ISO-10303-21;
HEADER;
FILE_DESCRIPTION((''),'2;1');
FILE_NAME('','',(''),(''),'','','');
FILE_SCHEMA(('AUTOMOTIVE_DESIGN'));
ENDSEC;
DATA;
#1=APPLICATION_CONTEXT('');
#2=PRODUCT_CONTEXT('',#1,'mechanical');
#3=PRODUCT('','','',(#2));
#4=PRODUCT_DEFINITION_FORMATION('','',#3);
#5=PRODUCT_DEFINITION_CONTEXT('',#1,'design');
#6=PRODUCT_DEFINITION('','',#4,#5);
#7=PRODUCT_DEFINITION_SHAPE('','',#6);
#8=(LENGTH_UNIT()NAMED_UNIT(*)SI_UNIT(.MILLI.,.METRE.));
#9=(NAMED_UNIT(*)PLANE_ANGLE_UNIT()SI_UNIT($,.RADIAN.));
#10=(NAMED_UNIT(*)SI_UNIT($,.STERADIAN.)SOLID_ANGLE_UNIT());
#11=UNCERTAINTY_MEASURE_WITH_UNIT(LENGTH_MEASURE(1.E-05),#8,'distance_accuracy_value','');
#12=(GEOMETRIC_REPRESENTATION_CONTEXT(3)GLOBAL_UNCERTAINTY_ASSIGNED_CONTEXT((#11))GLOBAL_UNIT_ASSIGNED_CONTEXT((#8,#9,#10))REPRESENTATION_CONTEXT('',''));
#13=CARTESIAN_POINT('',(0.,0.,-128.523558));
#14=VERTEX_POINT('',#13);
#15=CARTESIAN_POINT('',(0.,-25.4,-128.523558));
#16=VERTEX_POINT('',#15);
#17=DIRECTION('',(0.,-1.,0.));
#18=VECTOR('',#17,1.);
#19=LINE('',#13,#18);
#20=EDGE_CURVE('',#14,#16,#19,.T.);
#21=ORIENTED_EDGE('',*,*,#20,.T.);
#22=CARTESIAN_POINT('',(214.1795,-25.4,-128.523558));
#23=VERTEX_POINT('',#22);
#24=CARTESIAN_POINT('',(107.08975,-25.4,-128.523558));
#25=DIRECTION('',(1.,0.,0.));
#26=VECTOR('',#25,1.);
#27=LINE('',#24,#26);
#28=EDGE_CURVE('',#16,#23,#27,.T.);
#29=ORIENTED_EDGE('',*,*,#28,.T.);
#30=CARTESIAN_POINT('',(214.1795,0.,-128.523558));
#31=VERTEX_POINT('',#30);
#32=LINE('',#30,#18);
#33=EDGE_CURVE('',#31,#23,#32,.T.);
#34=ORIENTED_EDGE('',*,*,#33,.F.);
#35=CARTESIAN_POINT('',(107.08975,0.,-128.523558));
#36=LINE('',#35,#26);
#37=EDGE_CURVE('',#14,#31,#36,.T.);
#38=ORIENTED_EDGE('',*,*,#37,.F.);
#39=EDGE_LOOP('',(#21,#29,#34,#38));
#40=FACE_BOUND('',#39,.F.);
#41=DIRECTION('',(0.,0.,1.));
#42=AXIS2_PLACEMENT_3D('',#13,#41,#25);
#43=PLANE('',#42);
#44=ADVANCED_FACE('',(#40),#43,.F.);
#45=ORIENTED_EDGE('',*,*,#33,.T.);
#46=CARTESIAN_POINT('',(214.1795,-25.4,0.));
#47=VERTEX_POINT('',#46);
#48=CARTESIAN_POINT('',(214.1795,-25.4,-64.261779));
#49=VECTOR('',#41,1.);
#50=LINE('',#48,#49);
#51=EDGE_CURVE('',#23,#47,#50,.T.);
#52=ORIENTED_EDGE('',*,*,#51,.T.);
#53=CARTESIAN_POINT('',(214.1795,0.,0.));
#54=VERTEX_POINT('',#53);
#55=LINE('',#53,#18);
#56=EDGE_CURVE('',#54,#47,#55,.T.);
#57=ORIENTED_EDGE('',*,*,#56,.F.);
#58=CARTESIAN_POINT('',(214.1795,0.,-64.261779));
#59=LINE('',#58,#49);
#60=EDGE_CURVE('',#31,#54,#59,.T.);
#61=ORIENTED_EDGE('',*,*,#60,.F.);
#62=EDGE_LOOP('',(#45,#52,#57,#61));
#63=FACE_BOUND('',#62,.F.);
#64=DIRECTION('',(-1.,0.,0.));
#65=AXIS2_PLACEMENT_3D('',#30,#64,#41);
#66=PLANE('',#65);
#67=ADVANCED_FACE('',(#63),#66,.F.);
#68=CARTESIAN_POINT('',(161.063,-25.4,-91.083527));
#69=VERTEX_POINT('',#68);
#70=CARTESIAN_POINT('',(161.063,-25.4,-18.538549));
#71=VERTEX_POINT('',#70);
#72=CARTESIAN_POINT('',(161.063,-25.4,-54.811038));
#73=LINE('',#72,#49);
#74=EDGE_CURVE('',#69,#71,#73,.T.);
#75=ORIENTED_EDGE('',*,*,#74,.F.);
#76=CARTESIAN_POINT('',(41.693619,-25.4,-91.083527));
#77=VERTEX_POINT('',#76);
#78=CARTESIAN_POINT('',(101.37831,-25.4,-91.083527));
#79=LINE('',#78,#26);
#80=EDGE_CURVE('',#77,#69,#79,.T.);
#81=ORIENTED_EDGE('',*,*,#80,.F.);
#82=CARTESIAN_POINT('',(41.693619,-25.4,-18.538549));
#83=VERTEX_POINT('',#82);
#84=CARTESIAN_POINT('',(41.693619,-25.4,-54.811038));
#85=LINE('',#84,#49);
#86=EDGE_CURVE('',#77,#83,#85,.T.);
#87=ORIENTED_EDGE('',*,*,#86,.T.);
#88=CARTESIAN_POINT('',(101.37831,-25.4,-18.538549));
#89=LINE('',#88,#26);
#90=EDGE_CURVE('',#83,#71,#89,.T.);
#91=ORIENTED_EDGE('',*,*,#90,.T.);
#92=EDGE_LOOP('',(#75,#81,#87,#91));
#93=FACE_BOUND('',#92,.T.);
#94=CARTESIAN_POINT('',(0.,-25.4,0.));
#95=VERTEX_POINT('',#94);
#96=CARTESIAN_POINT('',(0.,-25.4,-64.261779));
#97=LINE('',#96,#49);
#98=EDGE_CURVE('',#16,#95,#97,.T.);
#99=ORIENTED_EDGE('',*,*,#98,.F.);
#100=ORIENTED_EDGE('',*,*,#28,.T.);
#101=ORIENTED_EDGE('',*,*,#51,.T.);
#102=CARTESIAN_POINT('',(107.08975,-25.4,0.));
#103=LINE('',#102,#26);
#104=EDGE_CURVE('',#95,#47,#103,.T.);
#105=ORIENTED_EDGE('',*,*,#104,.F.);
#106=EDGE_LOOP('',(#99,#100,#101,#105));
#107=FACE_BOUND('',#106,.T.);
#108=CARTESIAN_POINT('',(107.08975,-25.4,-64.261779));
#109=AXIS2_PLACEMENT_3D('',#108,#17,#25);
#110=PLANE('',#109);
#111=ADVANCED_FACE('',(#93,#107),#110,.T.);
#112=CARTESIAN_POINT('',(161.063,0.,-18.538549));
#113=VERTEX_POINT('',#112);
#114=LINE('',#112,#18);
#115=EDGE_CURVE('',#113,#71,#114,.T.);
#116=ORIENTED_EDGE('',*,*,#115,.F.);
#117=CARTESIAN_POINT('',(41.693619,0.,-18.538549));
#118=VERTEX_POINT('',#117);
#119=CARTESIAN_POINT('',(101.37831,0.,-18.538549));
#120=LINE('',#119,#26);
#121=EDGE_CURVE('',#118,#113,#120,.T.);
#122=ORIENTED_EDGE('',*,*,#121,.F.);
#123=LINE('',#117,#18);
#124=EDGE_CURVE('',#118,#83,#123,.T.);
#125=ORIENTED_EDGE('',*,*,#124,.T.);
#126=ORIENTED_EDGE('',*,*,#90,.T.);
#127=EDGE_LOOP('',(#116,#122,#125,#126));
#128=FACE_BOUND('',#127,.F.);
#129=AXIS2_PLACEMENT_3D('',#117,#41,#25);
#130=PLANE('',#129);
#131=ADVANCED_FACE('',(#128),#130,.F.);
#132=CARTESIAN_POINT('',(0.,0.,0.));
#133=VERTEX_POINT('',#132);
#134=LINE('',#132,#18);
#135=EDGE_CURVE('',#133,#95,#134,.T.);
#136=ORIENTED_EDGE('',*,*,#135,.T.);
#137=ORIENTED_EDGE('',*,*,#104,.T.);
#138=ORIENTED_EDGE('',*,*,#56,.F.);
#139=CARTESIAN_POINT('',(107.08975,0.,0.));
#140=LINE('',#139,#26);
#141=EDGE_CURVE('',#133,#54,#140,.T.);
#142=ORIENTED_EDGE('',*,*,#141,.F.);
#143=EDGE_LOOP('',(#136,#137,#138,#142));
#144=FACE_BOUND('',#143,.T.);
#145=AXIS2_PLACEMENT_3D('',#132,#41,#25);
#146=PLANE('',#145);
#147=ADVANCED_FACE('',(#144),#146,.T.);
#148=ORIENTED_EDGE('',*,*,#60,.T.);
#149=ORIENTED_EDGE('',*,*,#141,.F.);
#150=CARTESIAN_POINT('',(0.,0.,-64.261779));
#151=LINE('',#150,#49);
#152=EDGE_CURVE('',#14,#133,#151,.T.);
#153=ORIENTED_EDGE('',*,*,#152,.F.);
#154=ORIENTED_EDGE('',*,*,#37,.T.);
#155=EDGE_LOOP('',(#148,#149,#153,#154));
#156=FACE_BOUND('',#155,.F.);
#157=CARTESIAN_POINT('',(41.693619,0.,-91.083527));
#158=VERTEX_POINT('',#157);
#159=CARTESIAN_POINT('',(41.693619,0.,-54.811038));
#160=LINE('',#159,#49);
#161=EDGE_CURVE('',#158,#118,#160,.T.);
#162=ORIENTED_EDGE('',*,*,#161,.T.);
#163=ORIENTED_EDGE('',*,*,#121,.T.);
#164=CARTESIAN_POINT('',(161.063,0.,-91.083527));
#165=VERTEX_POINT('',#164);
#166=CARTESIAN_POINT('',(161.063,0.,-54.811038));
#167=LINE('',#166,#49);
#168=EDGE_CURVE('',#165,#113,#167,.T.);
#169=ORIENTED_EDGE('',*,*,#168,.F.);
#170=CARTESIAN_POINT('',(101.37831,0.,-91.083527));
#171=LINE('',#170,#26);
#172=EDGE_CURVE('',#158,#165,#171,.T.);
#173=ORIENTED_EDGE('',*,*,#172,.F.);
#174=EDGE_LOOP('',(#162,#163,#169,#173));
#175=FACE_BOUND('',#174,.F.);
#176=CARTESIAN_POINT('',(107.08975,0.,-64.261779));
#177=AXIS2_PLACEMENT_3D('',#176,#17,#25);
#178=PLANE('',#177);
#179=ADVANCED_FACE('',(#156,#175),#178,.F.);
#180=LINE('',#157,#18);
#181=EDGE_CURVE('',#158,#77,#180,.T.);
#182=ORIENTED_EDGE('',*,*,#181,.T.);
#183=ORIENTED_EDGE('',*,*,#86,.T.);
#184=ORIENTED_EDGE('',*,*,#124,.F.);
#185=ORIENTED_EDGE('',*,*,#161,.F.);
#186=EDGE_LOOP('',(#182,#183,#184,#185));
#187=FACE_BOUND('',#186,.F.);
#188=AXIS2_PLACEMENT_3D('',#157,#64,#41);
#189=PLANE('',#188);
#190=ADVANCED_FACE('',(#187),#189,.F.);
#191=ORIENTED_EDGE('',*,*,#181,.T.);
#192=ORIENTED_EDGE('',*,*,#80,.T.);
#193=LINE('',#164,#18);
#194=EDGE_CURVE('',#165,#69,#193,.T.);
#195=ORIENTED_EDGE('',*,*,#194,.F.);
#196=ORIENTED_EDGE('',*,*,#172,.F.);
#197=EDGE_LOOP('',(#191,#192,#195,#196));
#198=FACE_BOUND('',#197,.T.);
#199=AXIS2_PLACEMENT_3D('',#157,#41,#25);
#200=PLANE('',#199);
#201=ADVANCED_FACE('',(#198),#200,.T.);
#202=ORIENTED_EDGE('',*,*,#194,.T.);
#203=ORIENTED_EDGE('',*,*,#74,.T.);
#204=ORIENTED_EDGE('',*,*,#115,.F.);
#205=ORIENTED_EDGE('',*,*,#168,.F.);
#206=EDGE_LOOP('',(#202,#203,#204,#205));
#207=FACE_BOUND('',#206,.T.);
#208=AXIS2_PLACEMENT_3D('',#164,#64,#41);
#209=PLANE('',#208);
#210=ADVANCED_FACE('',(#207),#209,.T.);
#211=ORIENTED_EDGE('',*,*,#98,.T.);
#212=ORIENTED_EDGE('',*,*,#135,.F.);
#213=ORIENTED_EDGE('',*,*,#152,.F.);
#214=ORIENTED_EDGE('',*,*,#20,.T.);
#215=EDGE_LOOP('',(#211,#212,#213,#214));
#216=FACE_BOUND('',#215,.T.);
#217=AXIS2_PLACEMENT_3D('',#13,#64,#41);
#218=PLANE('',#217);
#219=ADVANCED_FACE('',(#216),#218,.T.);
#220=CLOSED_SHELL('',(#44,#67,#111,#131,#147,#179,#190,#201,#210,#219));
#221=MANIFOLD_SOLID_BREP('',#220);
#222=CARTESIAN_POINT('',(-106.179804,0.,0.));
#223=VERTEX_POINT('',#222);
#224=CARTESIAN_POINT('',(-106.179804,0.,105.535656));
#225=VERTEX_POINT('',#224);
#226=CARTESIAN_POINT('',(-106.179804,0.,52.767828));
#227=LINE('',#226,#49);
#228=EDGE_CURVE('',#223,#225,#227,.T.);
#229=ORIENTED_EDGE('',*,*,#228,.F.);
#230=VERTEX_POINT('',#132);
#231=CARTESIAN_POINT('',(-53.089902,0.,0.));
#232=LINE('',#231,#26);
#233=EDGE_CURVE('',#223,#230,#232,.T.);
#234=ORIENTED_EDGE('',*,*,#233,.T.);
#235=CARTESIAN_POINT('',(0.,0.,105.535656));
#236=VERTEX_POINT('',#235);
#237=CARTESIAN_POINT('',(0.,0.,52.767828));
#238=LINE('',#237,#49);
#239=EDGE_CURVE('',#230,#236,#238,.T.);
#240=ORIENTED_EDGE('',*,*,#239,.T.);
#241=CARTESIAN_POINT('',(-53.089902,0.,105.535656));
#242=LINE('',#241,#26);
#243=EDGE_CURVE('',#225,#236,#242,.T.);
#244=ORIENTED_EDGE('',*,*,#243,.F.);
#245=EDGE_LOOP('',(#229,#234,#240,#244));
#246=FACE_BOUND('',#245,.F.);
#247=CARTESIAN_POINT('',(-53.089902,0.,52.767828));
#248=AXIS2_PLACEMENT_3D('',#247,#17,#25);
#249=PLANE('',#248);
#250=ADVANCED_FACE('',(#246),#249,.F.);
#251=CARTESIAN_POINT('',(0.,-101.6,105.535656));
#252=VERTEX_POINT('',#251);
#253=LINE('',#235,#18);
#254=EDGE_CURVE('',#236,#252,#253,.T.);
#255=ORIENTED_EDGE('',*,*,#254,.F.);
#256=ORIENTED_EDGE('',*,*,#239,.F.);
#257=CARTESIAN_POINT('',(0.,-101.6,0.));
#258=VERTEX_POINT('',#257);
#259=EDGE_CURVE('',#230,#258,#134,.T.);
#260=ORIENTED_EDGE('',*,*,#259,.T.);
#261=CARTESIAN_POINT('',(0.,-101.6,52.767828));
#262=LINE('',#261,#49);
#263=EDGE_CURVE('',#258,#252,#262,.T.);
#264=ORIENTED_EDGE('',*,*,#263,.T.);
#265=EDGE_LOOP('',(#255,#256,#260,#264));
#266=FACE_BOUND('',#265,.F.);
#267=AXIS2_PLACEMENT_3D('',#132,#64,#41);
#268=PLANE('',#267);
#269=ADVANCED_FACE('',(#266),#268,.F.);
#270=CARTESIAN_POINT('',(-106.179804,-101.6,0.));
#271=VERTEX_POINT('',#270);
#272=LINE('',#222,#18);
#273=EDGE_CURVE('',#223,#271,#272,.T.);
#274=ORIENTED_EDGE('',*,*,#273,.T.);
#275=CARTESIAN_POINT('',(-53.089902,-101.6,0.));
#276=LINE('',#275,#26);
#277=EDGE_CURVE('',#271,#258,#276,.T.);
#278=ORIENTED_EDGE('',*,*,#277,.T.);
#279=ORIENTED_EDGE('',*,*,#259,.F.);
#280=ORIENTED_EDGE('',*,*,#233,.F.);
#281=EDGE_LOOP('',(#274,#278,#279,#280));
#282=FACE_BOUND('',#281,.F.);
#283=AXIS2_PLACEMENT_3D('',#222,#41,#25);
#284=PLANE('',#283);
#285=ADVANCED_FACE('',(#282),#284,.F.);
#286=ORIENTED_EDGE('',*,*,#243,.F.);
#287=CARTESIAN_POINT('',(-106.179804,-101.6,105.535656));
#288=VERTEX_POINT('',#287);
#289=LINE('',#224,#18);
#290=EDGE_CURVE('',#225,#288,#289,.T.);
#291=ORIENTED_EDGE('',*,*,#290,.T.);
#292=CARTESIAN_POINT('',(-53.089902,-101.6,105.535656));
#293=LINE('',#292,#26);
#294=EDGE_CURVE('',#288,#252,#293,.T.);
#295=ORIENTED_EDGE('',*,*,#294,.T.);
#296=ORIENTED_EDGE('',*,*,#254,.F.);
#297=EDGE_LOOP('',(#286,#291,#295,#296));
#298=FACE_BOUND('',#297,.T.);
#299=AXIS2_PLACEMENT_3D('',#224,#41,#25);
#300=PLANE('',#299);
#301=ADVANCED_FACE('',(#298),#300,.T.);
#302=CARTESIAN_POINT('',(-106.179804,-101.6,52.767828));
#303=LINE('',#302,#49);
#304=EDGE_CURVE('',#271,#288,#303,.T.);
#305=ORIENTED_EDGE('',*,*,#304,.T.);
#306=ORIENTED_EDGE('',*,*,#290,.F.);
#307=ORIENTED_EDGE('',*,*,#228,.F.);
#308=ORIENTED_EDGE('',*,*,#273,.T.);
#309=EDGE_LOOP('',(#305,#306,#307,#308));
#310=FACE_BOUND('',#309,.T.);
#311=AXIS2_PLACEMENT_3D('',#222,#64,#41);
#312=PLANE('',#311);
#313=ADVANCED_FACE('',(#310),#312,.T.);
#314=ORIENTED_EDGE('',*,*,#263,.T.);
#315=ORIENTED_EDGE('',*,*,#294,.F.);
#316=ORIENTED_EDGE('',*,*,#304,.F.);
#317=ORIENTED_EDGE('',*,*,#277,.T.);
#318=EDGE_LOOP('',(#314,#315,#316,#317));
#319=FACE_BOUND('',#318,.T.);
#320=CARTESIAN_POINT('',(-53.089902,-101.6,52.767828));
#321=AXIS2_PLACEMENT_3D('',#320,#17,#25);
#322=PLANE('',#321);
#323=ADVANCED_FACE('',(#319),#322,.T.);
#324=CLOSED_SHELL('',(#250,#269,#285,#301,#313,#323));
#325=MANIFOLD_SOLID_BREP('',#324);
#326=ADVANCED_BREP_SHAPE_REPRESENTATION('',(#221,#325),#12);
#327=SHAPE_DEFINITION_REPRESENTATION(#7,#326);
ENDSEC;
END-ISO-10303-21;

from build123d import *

# Parameters (mm, degrees)
F0_W     = 106.179804
F0_H     = 105.535656
F1_DEPTH = 101.6
F2_W     = 214.179501
F2_H     = 128.523558
F2_W_2   = 119.369381
F2_H_2   = 72.544977
F3_DEPTH = 25.4


with BuildPart() as f1:
    # F0 (on Front) → F1 (new body)
    with BuildSketch(Plane.XZ):
        with Locations((-53.089902, 52.767828)):
            Rectangle(F0_W, F0_H)
    extrude(amount=F1_DEPTH)


with BuildPart() as f3:
    # F2 (on Front) → F3 (new body)
    with BuildSketch(Plane.XZ):
        with Locations((107.08975, -64.261779)):
            Rectangle(F2_W, F2_H)
        with Locations((101.37831, -54.811038)):
            Rectangle(F2_W_2, F2_H_2, mode=Mode.SUBTRACT)
    extrude(amount=F3_DEPTH)


solid = Compound([f1.part, f3.part])
